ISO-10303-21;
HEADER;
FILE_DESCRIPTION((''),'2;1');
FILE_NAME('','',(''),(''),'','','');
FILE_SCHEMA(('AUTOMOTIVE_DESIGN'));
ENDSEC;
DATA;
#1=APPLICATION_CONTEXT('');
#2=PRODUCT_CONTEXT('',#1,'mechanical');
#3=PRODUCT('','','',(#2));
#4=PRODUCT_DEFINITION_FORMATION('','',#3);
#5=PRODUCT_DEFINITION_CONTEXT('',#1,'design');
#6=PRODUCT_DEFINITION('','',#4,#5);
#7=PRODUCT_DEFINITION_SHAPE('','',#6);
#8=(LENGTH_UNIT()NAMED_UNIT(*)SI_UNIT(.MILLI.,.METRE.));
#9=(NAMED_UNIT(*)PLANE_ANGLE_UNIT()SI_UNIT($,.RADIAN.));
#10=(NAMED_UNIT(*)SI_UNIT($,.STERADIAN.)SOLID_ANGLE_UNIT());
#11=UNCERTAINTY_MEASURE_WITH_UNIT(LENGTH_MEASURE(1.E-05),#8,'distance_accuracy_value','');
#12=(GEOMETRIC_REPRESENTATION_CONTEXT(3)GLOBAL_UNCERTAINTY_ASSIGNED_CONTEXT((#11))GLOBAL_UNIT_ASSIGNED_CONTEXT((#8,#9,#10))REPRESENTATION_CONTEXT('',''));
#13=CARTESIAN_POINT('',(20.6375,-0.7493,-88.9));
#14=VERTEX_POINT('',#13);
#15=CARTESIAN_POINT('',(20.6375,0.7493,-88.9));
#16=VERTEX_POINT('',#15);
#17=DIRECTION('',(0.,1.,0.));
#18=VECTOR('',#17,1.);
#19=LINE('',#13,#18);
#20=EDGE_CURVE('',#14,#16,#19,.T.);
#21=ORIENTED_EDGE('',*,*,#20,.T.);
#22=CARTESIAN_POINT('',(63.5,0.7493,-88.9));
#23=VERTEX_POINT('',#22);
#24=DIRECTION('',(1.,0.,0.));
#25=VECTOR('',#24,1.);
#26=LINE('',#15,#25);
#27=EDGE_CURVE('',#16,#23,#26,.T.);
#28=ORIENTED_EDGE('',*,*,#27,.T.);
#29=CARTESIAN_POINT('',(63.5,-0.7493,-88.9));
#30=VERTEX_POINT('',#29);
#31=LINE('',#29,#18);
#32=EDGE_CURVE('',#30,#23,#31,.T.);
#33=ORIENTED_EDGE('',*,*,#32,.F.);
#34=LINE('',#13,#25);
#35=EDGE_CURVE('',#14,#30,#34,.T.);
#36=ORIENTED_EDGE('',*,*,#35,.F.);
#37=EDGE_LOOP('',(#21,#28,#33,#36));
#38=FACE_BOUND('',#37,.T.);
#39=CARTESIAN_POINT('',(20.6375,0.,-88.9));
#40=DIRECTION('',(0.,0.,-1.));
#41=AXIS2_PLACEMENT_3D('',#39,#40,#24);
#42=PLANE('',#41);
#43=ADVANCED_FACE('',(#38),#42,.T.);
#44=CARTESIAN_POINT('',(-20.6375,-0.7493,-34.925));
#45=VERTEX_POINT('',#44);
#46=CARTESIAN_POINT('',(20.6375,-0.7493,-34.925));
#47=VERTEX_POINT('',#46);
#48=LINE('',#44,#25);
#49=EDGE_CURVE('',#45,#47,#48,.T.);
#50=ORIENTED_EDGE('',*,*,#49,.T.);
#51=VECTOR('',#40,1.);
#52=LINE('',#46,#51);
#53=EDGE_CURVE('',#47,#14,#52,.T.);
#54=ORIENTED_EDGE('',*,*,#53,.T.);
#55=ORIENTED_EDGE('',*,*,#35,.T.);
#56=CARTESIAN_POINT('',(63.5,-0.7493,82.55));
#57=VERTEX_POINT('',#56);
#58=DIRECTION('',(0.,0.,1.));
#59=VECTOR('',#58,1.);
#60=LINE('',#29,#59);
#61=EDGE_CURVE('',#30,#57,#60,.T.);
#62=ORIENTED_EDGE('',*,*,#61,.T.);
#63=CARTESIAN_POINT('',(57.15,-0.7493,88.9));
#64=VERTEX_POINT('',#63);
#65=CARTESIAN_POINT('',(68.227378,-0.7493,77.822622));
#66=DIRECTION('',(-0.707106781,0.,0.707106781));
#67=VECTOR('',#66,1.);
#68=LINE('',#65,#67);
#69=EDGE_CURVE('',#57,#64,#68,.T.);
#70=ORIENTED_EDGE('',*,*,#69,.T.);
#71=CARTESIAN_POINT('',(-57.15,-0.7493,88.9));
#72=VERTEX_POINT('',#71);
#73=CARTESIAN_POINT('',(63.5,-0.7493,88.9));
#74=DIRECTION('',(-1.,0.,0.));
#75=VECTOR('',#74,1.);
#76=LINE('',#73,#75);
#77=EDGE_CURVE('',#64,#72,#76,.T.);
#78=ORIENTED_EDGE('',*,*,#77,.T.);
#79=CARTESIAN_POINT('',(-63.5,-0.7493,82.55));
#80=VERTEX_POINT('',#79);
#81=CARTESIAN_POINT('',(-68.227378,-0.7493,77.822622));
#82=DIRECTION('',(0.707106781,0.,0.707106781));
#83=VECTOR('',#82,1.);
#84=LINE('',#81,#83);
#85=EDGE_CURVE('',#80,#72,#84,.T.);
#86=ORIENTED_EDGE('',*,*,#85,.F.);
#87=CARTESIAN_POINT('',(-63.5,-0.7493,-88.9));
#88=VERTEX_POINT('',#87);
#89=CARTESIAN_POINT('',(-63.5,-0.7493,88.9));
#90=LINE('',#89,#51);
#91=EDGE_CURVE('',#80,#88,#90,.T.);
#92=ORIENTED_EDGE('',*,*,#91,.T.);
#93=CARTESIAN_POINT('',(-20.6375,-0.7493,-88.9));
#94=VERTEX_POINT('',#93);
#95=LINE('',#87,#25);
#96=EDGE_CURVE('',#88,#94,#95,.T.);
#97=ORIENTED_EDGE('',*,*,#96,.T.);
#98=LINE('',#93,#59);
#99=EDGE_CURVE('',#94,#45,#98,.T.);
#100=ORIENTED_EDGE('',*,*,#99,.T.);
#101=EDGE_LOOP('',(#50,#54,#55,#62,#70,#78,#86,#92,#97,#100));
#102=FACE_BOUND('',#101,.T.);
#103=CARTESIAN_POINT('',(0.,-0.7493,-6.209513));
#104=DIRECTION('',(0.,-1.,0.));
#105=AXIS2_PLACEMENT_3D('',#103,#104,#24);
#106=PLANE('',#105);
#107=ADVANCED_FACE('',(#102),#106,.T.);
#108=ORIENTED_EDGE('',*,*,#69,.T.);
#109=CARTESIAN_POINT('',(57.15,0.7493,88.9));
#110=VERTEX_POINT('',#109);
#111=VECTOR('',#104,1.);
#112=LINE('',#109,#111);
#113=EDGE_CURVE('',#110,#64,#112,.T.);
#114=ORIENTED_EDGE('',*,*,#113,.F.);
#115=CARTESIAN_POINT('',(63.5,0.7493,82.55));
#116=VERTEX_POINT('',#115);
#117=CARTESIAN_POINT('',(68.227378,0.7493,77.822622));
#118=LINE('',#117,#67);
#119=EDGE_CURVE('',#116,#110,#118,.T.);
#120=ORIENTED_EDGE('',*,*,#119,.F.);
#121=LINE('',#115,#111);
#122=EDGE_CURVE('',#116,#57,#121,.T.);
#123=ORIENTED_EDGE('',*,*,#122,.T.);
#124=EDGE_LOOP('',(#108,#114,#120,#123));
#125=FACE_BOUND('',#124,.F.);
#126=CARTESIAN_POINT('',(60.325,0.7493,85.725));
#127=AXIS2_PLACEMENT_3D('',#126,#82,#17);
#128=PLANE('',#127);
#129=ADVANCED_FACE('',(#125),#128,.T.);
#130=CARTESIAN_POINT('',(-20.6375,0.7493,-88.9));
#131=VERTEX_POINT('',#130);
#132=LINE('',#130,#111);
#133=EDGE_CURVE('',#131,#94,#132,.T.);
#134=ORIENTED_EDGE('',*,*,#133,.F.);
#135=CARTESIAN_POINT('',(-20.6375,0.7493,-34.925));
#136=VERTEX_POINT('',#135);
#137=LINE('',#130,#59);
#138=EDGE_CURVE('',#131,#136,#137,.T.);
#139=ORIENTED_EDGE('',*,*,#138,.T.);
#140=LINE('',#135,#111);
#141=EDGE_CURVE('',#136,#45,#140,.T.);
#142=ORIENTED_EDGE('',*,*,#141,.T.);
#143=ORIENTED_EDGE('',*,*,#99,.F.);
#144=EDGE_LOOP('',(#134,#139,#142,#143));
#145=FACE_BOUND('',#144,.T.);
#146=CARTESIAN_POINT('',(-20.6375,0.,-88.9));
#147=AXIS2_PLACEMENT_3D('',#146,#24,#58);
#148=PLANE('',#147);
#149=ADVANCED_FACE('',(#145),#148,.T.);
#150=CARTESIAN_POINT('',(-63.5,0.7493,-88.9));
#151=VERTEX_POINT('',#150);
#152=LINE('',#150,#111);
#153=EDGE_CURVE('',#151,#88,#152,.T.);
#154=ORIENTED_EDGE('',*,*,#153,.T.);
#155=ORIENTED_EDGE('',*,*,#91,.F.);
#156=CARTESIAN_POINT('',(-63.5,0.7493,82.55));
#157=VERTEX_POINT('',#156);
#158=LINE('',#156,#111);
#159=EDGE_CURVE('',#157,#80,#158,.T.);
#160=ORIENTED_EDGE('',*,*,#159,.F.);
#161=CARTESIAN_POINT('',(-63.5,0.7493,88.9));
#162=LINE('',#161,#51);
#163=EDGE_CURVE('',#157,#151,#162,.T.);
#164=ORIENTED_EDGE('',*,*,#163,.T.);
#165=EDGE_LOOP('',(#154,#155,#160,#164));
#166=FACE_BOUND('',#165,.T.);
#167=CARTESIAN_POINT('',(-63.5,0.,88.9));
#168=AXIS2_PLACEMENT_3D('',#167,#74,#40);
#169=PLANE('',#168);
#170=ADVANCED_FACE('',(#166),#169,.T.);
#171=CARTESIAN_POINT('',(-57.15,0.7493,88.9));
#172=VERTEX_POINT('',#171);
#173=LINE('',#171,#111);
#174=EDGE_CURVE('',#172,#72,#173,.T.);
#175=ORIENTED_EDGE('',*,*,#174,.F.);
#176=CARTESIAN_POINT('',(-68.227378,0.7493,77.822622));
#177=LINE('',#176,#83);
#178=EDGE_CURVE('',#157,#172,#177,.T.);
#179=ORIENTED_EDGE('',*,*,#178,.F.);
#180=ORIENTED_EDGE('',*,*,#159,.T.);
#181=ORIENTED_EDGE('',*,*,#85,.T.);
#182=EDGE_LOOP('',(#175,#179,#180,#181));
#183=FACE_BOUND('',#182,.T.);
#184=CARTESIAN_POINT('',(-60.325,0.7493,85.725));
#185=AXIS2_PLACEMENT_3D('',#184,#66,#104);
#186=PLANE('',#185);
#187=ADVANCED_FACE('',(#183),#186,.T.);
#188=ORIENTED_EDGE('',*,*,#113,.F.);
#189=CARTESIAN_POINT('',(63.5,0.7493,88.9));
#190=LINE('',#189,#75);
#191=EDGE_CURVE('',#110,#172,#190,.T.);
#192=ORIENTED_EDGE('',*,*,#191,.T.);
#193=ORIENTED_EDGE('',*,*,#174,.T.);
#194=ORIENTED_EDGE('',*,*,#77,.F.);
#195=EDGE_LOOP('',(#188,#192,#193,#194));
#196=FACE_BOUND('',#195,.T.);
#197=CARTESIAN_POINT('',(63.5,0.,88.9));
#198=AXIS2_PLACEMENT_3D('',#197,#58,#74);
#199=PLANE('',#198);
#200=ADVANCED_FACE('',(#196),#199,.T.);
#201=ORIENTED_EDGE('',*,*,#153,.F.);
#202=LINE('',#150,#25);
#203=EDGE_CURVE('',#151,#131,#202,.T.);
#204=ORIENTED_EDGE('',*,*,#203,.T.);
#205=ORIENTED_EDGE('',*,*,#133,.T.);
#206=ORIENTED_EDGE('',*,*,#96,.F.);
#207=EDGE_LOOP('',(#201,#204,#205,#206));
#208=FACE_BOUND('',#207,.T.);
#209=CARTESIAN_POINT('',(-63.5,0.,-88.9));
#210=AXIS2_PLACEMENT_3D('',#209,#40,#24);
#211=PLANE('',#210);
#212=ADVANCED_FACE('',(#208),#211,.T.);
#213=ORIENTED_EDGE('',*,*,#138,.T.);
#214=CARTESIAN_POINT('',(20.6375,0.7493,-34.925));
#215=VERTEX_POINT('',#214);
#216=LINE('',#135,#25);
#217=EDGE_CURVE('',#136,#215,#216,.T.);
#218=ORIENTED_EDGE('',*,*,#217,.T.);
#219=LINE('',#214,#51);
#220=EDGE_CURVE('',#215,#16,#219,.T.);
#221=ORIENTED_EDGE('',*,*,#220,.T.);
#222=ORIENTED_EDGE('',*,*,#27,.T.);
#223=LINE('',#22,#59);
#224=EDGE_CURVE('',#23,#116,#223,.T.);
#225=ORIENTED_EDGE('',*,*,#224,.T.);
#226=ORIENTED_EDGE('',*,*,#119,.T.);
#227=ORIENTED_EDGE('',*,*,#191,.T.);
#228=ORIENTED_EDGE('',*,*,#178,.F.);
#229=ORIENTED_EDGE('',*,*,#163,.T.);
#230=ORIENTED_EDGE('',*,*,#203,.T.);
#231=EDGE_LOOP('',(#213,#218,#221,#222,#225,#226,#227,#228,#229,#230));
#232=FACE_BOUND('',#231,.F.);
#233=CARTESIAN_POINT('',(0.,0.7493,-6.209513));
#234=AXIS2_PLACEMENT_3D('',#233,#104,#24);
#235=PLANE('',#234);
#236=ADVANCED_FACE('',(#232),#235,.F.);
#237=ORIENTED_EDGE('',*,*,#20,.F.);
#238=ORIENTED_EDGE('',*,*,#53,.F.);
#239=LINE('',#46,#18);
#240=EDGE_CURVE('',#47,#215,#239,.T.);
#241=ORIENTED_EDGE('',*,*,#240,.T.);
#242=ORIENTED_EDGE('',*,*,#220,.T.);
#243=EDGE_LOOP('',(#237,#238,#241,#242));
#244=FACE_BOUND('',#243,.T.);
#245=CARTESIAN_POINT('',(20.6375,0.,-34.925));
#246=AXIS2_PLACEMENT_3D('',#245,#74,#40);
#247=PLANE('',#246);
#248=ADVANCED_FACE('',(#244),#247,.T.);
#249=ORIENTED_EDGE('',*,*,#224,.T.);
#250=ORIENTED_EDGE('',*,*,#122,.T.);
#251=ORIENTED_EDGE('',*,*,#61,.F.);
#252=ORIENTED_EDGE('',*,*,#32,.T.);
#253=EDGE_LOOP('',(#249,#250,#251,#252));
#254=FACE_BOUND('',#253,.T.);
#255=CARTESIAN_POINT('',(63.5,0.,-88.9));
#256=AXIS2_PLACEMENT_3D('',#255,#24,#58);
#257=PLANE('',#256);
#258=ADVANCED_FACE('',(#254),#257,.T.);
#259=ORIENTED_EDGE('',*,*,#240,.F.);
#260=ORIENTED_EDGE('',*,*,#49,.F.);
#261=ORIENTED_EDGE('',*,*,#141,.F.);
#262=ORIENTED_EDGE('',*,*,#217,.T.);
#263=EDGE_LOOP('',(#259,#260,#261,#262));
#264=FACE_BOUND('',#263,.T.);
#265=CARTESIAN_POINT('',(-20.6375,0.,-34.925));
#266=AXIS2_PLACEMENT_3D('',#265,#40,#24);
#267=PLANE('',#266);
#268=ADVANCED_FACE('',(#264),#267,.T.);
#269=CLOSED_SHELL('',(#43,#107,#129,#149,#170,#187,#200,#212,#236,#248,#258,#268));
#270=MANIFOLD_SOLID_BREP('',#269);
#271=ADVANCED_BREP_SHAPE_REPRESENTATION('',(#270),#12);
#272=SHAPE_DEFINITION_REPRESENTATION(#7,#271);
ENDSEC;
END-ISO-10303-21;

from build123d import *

# Parameters (mm, degrees)
F1_DEPTH = 0.7493
F2_SIZE  = 6.35


with BuildPart() as f1:
    # F0 (on Front) → F1 (new body, symmetric)
    with BuildSketch(Plane.XZ):
        Polygon((63.5, -88.9), (63.5, 88.9), (-63.5, 88.9), (-63.5, -88.9), (-20.6375, -88.9), (-20.6375, -34.925), (20.6375, -34.925), (20.6375, -88.9), align=None)
    extrude(amount=F1_DEPTH, both=True)

    # F2
    f2_edges = [f1.edges().sort_by_distance(p)[0] for p in [
        (63.5, 0, 88.9),
        (-63.5, 0, 88.9),
    ]]
    chamfer(f2_edges, length=F2_SIZE)


solid = f1.part
